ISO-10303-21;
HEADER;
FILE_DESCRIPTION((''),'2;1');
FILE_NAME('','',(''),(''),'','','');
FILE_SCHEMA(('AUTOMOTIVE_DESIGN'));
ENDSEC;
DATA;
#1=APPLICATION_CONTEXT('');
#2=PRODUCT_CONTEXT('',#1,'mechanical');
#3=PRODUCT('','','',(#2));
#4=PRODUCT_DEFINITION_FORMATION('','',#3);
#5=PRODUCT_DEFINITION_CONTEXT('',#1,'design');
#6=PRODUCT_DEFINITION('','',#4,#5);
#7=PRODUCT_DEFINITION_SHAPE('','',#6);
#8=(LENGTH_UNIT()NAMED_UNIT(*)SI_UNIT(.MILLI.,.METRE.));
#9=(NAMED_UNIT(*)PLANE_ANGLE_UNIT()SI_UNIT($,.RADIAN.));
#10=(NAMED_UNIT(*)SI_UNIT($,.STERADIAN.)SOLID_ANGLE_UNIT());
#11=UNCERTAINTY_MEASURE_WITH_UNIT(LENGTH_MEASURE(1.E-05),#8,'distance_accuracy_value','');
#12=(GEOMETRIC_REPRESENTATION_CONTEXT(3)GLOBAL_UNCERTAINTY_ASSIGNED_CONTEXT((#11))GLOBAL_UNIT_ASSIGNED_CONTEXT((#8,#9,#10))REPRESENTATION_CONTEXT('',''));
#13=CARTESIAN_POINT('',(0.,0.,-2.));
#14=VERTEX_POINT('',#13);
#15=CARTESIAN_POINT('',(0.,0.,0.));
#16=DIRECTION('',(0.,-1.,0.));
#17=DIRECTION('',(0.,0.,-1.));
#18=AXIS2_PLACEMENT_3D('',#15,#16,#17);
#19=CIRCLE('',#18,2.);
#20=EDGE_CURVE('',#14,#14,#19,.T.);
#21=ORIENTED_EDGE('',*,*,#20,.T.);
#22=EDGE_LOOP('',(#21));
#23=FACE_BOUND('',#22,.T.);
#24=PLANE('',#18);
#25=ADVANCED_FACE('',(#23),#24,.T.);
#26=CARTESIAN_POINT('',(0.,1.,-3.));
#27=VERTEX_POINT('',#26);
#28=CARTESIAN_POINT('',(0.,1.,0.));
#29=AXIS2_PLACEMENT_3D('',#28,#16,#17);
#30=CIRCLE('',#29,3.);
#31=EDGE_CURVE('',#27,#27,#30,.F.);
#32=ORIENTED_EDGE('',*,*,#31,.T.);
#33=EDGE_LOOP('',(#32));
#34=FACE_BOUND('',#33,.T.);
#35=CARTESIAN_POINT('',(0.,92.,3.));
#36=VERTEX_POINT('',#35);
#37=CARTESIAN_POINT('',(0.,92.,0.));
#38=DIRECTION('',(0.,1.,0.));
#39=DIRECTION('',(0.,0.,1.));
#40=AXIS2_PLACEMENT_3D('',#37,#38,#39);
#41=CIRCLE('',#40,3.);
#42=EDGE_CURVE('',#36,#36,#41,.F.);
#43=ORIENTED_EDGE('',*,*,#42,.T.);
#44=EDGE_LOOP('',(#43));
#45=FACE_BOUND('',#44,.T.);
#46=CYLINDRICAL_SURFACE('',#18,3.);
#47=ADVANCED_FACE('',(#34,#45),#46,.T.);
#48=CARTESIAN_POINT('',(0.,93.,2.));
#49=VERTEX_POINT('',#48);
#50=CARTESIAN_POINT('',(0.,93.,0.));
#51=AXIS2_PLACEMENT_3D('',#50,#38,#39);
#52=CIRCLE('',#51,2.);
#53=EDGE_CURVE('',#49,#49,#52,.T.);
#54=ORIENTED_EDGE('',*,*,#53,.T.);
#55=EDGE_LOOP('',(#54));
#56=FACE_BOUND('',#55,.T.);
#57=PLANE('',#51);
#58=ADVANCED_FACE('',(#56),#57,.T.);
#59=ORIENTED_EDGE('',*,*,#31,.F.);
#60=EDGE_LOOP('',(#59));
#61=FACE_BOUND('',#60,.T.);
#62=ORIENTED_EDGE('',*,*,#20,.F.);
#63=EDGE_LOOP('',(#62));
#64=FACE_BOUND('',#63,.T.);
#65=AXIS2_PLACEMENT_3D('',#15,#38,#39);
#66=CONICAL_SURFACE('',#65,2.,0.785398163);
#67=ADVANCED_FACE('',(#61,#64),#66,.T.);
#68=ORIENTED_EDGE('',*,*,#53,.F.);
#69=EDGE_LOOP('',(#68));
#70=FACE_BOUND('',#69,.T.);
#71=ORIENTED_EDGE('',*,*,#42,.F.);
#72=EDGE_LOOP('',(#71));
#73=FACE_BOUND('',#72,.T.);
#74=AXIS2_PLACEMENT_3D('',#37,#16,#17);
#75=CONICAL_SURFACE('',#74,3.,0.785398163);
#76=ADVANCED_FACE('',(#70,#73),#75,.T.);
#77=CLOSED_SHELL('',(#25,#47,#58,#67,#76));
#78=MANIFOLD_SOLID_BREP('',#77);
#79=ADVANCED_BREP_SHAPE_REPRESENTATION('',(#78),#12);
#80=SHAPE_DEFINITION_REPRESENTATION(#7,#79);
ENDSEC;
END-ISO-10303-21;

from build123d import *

# Parameters (mm, degrees)
SKETCH1_W     = 3
SKETCH1_H     = 93
CHAMFER1_SIZE = 1


with BuildPart() as part:
    # Sketch1 → Revolve1 (revolve)
    with BuildSketch(Plane.XY, mode=Mode.PRIVATE) as revolve1_sk:
        with Locations((1.5, 46.5)):
            Rectangle(SKETCH1_W, SKETCH1_H)
    revolve(revolve1_sk.sketch.rotate(Axis((0, 0, 0), (0, 1, 0)), 90), axis=Axis((0, 0, 0), (0, 1, 0)))

    # Chamfer1
    chamfer1_edges = [part.edges().sort_by_distance(p)[0] for p in [
        (0, 0, 3),
        (0, 93, 3),
    ]]
    chamfer(chamfer1_edges, length=CHAMFER1_SIZE)


solid = part.part
